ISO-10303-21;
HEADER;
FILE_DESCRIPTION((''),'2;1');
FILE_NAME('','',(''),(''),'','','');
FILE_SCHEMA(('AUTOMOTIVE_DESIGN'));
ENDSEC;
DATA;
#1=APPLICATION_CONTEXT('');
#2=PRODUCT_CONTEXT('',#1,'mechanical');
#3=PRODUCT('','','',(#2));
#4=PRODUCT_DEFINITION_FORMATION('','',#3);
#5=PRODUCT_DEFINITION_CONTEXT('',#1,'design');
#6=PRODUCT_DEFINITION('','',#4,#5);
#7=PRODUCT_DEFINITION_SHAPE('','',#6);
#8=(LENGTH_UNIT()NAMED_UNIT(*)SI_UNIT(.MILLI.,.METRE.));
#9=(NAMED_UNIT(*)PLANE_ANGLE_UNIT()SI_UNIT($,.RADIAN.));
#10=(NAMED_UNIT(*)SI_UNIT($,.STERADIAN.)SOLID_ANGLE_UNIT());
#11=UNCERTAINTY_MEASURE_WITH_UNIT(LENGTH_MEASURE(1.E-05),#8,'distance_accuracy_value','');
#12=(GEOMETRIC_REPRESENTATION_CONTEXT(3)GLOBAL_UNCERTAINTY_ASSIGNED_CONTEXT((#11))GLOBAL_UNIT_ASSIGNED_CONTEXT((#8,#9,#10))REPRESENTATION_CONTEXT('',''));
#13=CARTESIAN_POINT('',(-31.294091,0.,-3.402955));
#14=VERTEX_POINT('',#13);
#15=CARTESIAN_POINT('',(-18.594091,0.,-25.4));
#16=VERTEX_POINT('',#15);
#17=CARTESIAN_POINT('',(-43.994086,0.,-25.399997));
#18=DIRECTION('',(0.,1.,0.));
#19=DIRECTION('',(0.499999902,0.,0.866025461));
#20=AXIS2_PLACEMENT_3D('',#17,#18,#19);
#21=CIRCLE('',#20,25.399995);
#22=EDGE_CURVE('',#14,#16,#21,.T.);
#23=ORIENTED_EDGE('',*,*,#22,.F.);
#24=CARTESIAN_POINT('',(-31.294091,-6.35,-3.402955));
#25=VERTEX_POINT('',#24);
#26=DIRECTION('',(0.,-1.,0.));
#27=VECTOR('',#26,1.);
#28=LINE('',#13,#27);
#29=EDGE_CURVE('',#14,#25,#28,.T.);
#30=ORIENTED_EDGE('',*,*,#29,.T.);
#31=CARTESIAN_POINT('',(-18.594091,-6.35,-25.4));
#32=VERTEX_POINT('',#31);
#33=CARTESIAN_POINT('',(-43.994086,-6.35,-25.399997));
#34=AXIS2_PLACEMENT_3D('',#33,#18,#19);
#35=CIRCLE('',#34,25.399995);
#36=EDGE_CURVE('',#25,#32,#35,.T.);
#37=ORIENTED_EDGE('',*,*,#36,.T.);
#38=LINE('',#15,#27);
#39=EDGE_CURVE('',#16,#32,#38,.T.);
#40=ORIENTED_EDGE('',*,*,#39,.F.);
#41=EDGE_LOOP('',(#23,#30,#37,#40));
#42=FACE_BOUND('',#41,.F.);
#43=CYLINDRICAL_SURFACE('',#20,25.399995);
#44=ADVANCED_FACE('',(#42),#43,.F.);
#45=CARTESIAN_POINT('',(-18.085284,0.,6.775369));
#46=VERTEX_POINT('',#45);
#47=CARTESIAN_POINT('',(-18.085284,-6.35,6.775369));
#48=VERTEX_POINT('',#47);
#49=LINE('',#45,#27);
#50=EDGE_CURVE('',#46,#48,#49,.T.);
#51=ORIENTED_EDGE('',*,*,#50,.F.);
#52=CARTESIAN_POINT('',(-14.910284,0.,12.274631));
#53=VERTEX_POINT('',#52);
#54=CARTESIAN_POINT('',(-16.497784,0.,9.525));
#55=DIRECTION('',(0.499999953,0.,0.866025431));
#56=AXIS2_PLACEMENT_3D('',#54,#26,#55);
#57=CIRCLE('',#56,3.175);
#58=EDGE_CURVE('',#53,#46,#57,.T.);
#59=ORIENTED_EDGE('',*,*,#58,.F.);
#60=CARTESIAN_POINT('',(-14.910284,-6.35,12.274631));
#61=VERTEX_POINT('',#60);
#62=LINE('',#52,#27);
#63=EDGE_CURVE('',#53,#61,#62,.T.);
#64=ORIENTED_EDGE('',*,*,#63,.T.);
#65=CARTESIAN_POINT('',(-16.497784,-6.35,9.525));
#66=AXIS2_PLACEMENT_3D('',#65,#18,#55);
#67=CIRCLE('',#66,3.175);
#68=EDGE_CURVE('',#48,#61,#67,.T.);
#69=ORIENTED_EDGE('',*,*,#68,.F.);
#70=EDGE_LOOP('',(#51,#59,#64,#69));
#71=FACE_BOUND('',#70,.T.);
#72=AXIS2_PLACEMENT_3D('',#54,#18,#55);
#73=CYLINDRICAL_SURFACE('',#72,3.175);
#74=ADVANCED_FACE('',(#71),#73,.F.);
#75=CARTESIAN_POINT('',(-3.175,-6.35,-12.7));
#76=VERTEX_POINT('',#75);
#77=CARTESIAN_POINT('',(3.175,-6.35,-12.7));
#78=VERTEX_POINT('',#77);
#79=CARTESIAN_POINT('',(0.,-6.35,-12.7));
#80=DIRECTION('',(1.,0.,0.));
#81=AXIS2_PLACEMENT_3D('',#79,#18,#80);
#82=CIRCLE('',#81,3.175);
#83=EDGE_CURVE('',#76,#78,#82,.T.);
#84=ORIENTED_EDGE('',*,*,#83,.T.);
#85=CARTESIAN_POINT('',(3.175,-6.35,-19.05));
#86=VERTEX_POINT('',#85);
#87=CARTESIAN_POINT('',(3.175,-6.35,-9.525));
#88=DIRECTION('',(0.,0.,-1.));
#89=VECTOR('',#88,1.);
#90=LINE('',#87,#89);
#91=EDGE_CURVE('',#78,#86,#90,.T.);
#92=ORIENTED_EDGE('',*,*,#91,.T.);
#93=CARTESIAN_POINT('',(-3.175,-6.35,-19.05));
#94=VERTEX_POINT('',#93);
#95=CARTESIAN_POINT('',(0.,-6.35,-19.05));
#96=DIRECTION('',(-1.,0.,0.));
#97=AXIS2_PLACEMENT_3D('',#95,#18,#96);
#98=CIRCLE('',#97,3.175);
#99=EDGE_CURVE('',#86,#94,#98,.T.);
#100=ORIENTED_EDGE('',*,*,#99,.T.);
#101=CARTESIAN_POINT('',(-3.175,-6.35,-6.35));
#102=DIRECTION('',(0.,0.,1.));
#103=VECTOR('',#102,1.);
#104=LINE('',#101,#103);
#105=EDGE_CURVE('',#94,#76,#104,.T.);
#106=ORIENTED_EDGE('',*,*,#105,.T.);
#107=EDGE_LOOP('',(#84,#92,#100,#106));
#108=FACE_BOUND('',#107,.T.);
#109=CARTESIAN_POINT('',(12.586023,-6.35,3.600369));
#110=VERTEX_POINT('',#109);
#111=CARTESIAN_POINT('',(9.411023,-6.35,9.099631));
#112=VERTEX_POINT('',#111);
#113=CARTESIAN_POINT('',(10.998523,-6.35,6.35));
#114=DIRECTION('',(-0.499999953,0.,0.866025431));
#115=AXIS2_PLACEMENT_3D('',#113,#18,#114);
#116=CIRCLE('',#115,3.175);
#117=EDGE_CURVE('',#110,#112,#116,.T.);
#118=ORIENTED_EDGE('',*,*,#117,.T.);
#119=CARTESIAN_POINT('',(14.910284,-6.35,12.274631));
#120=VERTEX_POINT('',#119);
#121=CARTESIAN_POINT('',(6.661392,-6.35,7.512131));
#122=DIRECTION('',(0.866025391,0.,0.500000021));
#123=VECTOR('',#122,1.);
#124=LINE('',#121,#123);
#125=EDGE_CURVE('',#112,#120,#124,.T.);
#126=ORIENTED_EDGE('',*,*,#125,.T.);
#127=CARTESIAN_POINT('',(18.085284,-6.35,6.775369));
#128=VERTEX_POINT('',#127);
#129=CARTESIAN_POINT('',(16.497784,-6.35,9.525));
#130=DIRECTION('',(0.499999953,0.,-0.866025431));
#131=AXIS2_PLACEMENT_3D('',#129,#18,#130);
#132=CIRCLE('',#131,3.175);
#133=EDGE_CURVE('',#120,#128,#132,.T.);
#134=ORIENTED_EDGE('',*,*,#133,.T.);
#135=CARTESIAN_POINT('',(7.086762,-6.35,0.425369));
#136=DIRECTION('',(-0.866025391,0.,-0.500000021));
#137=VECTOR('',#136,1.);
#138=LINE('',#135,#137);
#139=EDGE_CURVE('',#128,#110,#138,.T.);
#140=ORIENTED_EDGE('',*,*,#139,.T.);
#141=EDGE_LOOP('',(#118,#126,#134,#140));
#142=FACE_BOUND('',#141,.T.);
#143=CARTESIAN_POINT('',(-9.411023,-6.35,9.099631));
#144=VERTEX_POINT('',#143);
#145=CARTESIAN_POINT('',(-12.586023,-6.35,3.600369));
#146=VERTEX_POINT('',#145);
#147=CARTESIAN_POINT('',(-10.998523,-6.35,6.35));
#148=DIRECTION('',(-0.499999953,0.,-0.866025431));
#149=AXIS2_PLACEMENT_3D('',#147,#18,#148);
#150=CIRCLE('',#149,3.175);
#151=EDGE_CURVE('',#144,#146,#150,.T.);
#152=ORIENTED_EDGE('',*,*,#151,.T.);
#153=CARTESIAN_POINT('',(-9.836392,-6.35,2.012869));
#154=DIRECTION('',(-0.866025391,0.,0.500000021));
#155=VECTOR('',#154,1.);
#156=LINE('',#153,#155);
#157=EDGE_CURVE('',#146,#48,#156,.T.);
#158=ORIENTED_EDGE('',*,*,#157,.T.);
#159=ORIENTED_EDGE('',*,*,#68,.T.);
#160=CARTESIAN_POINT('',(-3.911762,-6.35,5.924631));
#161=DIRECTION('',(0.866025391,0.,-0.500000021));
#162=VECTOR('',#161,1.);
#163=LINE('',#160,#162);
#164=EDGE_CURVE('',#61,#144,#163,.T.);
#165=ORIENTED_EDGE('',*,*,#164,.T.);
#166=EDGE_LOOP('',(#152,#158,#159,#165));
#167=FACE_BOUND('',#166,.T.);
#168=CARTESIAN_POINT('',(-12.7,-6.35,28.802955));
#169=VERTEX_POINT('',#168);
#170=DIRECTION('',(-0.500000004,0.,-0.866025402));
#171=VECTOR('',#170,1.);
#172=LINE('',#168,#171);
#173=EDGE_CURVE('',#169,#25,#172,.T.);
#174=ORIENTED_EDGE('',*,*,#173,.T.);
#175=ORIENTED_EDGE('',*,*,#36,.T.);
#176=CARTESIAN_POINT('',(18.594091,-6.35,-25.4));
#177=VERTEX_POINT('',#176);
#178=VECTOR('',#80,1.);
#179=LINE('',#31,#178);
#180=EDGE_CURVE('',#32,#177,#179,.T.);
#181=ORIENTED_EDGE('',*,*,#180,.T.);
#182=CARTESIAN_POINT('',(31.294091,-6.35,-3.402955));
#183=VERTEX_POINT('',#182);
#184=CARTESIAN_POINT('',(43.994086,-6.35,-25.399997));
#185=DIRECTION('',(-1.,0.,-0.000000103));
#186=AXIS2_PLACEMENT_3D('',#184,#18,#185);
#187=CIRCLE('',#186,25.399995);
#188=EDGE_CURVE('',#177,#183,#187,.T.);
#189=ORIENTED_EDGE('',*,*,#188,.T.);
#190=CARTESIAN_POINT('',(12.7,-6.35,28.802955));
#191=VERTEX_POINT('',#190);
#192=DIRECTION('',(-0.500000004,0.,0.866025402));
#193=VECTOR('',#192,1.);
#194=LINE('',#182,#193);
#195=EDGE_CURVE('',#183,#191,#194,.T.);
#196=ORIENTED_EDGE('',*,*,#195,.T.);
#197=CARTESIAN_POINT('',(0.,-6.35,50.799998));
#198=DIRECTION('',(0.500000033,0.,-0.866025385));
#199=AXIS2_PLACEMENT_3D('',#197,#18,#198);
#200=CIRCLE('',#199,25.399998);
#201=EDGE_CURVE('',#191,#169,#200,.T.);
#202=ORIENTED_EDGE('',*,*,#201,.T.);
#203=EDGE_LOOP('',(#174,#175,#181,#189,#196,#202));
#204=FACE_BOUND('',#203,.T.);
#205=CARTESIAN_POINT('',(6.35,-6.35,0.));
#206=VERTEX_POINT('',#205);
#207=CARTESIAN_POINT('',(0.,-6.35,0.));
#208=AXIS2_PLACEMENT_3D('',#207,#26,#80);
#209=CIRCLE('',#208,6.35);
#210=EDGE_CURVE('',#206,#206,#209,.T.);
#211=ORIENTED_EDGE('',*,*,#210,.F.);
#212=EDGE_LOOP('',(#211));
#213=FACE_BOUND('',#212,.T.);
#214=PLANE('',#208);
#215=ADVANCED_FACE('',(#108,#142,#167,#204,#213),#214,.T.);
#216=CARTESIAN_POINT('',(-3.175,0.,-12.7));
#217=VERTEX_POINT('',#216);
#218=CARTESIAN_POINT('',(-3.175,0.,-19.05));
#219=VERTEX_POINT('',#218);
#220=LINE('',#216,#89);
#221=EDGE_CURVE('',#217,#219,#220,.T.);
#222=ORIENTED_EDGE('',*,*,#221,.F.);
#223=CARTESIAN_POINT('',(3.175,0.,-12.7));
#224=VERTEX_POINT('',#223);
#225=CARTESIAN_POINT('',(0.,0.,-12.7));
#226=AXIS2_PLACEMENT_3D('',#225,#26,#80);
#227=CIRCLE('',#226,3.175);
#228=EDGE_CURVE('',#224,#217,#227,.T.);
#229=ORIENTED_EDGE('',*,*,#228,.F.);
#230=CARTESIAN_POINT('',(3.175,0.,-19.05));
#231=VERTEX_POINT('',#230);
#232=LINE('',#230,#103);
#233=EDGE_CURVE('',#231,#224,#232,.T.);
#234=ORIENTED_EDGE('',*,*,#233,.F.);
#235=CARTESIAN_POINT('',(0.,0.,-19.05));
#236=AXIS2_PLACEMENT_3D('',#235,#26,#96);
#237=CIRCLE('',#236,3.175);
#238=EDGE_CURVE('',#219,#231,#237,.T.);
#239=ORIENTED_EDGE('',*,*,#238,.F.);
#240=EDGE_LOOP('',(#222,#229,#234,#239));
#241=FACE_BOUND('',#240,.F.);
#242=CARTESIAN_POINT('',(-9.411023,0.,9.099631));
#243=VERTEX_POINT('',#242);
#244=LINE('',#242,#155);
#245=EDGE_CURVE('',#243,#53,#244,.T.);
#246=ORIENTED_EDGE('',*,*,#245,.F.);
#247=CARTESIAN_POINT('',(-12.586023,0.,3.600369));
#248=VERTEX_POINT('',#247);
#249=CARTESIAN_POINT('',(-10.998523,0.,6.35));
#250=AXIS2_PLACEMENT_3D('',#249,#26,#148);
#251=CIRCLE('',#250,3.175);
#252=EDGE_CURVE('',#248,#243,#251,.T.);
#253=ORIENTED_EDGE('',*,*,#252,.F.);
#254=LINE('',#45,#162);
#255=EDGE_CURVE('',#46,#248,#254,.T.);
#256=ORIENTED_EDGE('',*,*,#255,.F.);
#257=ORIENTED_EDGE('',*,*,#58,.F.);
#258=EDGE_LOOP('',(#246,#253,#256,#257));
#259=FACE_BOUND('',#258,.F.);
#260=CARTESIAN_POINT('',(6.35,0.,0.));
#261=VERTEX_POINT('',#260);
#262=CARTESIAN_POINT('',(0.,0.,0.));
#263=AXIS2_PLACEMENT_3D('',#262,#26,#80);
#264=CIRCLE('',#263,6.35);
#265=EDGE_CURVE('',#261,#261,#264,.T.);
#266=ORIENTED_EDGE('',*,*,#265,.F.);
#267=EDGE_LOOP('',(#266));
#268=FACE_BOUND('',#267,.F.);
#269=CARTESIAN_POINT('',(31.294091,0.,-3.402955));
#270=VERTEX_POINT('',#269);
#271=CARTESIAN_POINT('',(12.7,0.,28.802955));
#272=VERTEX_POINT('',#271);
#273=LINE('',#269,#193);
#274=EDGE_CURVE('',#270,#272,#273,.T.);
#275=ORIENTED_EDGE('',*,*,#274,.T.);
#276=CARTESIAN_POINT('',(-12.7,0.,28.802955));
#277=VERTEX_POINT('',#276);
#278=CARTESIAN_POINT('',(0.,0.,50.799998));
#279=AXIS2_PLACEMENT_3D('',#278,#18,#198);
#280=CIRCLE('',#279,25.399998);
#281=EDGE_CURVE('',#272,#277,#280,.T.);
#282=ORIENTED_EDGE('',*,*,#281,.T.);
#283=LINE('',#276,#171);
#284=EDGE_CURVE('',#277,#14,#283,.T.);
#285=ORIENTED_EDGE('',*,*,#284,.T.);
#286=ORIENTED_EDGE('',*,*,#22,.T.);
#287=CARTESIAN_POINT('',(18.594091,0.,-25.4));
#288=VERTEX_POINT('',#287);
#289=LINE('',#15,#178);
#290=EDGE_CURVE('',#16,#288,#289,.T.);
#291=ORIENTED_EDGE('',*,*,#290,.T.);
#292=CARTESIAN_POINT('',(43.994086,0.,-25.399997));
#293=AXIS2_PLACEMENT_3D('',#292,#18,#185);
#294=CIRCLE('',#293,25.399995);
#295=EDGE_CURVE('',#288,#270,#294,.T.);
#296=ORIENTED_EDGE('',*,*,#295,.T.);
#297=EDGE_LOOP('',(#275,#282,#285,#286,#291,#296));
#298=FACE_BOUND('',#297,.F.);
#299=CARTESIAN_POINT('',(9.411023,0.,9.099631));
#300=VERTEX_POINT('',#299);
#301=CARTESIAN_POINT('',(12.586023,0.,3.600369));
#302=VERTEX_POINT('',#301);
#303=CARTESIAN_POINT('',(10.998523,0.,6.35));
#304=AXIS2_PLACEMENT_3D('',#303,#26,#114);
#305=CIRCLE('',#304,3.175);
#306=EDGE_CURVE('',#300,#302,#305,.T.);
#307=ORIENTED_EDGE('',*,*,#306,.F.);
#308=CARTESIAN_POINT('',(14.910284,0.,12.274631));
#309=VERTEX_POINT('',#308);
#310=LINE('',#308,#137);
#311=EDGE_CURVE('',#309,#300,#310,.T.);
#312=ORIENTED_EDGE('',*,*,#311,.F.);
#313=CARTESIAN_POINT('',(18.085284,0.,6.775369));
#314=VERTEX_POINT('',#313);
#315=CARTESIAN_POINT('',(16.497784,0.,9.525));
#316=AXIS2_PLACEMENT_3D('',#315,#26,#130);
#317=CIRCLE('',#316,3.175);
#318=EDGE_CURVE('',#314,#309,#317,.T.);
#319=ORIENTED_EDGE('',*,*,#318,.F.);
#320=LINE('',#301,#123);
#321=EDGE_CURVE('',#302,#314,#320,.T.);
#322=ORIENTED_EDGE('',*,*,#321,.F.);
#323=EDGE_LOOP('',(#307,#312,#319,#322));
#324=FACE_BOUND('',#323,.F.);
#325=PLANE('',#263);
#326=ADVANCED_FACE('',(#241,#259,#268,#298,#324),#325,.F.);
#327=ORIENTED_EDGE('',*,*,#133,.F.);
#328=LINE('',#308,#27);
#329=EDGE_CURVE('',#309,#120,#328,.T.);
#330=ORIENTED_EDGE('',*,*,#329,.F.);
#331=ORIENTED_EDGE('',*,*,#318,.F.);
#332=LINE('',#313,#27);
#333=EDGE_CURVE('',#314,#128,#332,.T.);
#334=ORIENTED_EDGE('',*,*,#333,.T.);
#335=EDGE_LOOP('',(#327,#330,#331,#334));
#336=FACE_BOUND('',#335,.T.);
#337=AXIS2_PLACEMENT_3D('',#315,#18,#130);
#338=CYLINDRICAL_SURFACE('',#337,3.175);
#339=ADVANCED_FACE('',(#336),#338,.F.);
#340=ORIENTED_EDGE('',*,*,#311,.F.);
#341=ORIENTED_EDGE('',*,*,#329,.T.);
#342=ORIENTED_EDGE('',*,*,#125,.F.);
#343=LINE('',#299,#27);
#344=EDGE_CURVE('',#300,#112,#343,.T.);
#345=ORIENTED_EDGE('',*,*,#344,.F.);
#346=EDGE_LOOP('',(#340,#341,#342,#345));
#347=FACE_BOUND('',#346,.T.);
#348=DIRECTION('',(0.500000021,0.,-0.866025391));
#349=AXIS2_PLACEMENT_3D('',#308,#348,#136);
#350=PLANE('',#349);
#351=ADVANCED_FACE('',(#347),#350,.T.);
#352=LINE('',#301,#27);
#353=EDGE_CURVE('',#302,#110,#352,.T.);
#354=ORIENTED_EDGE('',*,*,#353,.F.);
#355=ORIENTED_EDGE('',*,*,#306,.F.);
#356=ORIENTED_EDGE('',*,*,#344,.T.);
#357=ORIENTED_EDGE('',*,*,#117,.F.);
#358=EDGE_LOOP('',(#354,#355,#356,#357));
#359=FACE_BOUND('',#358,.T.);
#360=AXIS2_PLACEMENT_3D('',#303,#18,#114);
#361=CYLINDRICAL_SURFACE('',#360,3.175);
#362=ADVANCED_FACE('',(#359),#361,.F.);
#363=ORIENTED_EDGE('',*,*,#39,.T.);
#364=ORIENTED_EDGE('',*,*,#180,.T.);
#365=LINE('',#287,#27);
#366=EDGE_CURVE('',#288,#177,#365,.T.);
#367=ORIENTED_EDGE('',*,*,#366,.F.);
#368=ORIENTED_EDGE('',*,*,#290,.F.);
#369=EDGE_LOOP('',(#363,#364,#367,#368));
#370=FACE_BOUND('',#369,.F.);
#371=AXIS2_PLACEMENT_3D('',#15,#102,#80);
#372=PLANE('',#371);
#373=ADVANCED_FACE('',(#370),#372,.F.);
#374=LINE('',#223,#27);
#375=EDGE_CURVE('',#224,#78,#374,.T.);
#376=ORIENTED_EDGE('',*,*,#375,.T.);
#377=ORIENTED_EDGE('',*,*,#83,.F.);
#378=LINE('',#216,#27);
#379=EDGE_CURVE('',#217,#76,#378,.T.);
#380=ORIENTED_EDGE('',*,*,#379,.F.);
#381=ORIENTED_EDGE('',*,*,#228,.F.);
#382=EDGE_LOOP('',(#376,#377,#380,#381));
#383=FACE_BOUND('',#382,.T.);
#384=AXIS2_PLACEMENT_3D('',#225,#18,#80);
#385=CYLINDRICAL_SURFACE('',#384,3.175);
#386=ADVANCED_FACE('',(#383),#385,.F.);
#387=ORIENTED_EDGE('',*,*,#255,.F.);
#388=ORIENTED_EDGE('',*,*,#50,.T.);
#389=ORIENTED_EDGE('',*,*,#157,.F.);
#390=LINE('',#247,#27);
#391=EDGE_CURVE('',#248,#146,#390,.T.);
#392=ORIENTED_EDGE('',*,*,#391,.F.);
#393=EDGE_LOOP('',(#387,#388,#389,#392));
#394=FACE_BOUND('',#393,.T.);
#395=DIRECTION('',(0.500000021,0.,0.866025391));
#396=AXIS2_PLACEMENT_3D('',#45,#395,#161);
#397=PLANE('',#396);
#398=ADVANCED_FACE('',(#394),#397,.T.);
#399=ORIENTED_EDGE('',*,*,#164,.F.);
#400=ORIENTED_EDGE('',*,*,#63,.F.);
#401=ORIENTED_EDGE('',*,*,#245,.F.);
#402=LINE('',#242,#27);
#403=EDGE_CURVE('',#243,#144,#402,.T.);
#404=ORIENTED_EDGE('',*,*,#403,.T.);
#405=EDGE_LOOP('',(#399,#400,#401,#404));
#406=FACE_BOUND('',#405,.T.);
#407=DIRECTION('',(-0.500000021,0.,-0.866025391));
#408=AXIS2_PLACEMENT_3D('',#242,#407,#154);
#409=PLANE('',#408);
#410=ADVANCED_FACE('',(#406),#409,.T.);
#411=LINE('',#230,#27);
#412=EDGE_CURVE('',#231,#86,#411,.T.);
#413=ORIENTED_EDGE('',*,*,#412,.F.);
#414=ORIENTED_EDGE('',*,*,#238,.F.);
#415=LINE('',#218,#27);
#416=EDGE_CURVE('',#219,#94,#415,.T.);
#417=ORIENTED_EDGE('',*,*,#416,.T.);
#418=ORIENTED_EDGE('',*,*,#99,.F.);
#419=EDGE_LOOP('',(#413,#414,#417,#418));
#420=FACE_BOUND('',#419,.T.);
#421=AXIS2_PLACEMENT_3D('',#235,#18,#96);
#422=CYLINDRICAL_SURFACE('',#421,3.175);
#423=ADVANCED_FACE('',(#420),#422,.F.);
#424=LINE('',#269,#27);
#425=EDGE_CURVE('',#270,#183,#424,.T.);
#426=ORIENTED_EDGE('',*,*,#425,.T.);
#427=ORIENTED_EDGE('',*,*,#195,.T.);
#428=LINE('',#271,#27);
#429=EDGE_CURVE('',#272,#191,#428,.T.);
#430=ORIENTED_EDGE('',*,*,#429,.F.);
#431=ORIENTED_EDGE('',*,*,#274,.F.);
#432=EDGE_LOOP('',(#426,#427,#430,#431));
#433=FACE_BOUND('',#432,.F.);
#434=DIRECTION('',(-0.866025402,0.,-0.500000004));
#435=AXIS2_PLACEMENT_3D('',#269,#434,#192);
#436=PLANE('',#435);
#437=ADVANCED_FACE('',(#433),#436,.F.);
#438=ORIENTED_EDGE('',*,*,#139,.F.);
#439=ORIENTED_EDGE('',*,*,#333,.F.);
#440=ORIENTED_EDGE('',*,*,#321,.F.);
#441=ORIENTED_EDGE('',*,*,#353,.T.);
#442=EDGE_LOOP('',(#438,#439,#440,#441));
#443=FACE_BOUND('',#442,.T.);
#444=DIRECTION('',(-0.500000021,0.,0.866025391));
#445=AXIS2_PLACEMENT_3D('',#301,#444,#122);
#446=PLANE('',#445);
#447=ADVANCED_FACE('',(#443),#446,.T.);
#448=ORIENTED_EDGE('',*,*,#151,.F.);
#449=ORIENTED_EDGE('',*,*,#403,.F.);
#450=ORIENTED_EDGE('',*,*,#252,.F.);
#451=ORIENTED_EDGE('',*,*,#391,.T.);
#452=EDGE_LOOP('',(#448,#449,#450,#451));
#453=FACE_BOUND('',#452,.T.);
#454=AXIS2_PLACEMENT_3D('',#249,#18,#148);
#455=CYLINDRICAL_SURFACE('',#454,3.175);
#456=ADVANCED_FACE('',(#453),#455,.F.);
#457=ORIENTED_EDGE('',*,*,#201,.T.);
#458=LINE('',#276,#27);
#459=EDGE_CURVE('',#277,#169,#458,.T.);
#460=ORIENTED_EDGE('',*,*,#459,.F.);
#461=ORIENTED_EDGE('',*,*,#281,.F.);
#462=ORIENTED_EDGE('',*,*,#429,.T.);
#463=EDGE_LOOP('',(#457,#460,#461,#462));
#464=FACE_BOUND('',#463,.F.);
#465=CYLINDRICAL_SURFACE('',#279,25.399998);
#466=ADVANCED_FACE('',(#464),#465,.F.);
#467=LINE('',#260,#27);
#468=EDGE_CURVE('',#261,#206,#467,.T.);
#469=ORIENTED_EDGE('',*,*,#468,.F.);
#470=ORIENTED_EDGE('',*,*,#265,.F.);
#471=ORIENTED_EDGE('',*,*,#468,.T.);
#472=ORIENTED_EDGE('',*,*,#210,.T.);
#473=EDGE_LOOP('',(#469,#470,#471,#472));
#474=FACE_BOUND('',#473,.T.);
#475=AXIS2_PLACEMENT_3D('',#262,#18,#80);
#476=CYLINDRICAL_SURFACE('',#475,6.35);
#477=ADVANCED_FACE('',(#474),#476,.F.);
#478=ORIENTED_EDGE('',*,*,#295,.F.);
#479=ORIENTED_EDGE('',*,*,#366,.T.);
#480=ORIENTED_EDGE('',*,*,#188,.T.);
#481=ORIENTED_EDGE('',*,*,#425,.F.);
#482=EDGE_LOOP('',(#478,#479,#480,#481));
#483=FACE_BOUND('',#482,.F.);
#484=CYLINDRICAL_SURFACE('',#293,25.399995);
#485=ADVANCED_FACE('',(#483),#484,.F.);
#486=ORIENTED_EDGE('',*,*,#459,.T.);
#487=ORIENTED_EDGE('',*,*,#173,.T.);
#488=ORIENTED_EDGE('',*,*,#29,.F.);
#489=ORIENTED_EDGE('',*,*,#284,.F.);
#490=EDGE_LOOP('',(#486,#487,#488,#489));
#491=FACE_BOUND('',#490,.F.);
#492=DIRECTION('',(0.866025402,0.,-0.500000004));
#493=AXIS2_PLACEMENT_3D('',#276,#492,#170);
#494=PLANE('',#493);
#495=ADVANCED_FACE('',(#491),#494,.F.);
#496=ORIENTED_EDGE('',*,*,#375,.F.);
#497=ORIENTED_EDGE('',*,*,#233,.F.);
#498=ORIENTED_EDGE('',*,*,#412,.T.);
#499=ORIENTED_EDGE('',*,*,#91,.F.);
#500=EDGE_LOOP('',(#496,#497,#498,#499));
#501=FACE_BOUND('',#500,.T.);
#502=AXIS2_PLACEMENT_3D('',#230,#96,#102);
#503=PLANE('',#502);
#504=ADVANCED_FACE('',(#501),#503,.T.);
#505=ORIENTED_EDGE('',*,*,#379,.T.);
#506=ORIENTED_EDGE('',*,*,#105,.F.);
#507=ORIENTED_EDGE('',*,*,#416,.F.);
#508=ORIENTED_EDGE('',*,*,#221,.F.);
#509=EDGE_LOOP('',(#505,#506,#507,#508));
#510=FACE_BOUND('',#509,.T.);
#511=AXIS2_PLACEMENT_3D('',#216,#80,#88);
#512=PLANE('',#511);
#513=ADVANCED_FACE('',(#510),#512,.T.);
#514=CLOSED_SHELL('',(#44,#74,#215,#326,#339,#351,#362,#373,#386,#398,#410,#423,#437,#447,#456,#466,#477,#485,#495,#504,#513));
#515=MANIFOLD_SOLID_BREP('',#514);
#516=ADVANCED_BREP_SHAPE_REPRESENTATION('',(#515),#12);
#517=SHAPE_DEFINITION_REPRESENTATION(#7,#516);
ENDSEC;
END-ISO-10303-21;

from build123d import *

# Parameters (mm, degrees)
F0_R     = 6.35
F1_DEPTH = 6.35
F3_DEPTH = 25.4


with BuildPart() as f1:
    # F0 (on Front) → F1 (new body)
    with BuildSketch(Plane.XZ):
        with BuildLine():
            Line((-18.594091, -25.4), (18.594091, -25.4))
            ThreePointArc((18.594091, -25.4), (21.997045, -12.7), (31.294091, -3.402955))
            Line((31.294091, -3.402955), (12.7, 28.802955))
            ThreePointArc((12.7, 28.802955), (0, 25.4), (-12.7, 28.802955))
            Line((-12.7, 28.802955), (-31.294091, -3.402955))
            ThreePointArc((-31.294091, -3.402955), (-21.997045, -12.7), (-18.594091, -25.4))
        make_face()
        Circle(F0_R, mode=Mode.SUBTRACT)
    extrude(amount=F1_DEPTH)

    # F2 (on Front) → F3 (cut)
    with BuildSketch(Plane.XZ):
        with BuildLine():
            Line((-3.175, -12.7), (-3.175, -19.05))
            ThreePointArc((-3.175, -19.05), (0, -22.225), (3.175, -19.05))
            Line((3.175, -19.05), (3.175, -12.7))
            ThreePointArc((3.175, -12.7), (0, -9.525), (-3.175, -12.7))
        make_face()
        with BuildLine():
            Line((-18.085284, 6.775369), (-12.586023, 3.600369))
            ThreePointArc((-12.586023, 3.600369), (-8.248892, 4.7625), (-9.411023, 9.099631))
            Line((-9.411023, 9.099631), (-14.910284, 12.274631))
            ThreePointArc((-14.910284, 12.274631), (-19.247415, 11.1125), (-18.085284, 6.775369))
        make_face()
        with BuildLine():
            Line((14.910284, 12.274631), (9.411023, 9.099631))
            ThreePointArc((9.411023, 9.099631), (8.248892, 4.7625), (12.586023, 3.600369))
            Line((12.586023, 3.600369), (18.085284, 6.775369))
            ThreePointArc((18.085284, 6.775369), (19.247415, 11.1125), (14.910284, 12.274631))
        make_face()
    extrude(amount=F3_DEPTH, mode=Mode.SUBTRACT)


solid = f1.part
